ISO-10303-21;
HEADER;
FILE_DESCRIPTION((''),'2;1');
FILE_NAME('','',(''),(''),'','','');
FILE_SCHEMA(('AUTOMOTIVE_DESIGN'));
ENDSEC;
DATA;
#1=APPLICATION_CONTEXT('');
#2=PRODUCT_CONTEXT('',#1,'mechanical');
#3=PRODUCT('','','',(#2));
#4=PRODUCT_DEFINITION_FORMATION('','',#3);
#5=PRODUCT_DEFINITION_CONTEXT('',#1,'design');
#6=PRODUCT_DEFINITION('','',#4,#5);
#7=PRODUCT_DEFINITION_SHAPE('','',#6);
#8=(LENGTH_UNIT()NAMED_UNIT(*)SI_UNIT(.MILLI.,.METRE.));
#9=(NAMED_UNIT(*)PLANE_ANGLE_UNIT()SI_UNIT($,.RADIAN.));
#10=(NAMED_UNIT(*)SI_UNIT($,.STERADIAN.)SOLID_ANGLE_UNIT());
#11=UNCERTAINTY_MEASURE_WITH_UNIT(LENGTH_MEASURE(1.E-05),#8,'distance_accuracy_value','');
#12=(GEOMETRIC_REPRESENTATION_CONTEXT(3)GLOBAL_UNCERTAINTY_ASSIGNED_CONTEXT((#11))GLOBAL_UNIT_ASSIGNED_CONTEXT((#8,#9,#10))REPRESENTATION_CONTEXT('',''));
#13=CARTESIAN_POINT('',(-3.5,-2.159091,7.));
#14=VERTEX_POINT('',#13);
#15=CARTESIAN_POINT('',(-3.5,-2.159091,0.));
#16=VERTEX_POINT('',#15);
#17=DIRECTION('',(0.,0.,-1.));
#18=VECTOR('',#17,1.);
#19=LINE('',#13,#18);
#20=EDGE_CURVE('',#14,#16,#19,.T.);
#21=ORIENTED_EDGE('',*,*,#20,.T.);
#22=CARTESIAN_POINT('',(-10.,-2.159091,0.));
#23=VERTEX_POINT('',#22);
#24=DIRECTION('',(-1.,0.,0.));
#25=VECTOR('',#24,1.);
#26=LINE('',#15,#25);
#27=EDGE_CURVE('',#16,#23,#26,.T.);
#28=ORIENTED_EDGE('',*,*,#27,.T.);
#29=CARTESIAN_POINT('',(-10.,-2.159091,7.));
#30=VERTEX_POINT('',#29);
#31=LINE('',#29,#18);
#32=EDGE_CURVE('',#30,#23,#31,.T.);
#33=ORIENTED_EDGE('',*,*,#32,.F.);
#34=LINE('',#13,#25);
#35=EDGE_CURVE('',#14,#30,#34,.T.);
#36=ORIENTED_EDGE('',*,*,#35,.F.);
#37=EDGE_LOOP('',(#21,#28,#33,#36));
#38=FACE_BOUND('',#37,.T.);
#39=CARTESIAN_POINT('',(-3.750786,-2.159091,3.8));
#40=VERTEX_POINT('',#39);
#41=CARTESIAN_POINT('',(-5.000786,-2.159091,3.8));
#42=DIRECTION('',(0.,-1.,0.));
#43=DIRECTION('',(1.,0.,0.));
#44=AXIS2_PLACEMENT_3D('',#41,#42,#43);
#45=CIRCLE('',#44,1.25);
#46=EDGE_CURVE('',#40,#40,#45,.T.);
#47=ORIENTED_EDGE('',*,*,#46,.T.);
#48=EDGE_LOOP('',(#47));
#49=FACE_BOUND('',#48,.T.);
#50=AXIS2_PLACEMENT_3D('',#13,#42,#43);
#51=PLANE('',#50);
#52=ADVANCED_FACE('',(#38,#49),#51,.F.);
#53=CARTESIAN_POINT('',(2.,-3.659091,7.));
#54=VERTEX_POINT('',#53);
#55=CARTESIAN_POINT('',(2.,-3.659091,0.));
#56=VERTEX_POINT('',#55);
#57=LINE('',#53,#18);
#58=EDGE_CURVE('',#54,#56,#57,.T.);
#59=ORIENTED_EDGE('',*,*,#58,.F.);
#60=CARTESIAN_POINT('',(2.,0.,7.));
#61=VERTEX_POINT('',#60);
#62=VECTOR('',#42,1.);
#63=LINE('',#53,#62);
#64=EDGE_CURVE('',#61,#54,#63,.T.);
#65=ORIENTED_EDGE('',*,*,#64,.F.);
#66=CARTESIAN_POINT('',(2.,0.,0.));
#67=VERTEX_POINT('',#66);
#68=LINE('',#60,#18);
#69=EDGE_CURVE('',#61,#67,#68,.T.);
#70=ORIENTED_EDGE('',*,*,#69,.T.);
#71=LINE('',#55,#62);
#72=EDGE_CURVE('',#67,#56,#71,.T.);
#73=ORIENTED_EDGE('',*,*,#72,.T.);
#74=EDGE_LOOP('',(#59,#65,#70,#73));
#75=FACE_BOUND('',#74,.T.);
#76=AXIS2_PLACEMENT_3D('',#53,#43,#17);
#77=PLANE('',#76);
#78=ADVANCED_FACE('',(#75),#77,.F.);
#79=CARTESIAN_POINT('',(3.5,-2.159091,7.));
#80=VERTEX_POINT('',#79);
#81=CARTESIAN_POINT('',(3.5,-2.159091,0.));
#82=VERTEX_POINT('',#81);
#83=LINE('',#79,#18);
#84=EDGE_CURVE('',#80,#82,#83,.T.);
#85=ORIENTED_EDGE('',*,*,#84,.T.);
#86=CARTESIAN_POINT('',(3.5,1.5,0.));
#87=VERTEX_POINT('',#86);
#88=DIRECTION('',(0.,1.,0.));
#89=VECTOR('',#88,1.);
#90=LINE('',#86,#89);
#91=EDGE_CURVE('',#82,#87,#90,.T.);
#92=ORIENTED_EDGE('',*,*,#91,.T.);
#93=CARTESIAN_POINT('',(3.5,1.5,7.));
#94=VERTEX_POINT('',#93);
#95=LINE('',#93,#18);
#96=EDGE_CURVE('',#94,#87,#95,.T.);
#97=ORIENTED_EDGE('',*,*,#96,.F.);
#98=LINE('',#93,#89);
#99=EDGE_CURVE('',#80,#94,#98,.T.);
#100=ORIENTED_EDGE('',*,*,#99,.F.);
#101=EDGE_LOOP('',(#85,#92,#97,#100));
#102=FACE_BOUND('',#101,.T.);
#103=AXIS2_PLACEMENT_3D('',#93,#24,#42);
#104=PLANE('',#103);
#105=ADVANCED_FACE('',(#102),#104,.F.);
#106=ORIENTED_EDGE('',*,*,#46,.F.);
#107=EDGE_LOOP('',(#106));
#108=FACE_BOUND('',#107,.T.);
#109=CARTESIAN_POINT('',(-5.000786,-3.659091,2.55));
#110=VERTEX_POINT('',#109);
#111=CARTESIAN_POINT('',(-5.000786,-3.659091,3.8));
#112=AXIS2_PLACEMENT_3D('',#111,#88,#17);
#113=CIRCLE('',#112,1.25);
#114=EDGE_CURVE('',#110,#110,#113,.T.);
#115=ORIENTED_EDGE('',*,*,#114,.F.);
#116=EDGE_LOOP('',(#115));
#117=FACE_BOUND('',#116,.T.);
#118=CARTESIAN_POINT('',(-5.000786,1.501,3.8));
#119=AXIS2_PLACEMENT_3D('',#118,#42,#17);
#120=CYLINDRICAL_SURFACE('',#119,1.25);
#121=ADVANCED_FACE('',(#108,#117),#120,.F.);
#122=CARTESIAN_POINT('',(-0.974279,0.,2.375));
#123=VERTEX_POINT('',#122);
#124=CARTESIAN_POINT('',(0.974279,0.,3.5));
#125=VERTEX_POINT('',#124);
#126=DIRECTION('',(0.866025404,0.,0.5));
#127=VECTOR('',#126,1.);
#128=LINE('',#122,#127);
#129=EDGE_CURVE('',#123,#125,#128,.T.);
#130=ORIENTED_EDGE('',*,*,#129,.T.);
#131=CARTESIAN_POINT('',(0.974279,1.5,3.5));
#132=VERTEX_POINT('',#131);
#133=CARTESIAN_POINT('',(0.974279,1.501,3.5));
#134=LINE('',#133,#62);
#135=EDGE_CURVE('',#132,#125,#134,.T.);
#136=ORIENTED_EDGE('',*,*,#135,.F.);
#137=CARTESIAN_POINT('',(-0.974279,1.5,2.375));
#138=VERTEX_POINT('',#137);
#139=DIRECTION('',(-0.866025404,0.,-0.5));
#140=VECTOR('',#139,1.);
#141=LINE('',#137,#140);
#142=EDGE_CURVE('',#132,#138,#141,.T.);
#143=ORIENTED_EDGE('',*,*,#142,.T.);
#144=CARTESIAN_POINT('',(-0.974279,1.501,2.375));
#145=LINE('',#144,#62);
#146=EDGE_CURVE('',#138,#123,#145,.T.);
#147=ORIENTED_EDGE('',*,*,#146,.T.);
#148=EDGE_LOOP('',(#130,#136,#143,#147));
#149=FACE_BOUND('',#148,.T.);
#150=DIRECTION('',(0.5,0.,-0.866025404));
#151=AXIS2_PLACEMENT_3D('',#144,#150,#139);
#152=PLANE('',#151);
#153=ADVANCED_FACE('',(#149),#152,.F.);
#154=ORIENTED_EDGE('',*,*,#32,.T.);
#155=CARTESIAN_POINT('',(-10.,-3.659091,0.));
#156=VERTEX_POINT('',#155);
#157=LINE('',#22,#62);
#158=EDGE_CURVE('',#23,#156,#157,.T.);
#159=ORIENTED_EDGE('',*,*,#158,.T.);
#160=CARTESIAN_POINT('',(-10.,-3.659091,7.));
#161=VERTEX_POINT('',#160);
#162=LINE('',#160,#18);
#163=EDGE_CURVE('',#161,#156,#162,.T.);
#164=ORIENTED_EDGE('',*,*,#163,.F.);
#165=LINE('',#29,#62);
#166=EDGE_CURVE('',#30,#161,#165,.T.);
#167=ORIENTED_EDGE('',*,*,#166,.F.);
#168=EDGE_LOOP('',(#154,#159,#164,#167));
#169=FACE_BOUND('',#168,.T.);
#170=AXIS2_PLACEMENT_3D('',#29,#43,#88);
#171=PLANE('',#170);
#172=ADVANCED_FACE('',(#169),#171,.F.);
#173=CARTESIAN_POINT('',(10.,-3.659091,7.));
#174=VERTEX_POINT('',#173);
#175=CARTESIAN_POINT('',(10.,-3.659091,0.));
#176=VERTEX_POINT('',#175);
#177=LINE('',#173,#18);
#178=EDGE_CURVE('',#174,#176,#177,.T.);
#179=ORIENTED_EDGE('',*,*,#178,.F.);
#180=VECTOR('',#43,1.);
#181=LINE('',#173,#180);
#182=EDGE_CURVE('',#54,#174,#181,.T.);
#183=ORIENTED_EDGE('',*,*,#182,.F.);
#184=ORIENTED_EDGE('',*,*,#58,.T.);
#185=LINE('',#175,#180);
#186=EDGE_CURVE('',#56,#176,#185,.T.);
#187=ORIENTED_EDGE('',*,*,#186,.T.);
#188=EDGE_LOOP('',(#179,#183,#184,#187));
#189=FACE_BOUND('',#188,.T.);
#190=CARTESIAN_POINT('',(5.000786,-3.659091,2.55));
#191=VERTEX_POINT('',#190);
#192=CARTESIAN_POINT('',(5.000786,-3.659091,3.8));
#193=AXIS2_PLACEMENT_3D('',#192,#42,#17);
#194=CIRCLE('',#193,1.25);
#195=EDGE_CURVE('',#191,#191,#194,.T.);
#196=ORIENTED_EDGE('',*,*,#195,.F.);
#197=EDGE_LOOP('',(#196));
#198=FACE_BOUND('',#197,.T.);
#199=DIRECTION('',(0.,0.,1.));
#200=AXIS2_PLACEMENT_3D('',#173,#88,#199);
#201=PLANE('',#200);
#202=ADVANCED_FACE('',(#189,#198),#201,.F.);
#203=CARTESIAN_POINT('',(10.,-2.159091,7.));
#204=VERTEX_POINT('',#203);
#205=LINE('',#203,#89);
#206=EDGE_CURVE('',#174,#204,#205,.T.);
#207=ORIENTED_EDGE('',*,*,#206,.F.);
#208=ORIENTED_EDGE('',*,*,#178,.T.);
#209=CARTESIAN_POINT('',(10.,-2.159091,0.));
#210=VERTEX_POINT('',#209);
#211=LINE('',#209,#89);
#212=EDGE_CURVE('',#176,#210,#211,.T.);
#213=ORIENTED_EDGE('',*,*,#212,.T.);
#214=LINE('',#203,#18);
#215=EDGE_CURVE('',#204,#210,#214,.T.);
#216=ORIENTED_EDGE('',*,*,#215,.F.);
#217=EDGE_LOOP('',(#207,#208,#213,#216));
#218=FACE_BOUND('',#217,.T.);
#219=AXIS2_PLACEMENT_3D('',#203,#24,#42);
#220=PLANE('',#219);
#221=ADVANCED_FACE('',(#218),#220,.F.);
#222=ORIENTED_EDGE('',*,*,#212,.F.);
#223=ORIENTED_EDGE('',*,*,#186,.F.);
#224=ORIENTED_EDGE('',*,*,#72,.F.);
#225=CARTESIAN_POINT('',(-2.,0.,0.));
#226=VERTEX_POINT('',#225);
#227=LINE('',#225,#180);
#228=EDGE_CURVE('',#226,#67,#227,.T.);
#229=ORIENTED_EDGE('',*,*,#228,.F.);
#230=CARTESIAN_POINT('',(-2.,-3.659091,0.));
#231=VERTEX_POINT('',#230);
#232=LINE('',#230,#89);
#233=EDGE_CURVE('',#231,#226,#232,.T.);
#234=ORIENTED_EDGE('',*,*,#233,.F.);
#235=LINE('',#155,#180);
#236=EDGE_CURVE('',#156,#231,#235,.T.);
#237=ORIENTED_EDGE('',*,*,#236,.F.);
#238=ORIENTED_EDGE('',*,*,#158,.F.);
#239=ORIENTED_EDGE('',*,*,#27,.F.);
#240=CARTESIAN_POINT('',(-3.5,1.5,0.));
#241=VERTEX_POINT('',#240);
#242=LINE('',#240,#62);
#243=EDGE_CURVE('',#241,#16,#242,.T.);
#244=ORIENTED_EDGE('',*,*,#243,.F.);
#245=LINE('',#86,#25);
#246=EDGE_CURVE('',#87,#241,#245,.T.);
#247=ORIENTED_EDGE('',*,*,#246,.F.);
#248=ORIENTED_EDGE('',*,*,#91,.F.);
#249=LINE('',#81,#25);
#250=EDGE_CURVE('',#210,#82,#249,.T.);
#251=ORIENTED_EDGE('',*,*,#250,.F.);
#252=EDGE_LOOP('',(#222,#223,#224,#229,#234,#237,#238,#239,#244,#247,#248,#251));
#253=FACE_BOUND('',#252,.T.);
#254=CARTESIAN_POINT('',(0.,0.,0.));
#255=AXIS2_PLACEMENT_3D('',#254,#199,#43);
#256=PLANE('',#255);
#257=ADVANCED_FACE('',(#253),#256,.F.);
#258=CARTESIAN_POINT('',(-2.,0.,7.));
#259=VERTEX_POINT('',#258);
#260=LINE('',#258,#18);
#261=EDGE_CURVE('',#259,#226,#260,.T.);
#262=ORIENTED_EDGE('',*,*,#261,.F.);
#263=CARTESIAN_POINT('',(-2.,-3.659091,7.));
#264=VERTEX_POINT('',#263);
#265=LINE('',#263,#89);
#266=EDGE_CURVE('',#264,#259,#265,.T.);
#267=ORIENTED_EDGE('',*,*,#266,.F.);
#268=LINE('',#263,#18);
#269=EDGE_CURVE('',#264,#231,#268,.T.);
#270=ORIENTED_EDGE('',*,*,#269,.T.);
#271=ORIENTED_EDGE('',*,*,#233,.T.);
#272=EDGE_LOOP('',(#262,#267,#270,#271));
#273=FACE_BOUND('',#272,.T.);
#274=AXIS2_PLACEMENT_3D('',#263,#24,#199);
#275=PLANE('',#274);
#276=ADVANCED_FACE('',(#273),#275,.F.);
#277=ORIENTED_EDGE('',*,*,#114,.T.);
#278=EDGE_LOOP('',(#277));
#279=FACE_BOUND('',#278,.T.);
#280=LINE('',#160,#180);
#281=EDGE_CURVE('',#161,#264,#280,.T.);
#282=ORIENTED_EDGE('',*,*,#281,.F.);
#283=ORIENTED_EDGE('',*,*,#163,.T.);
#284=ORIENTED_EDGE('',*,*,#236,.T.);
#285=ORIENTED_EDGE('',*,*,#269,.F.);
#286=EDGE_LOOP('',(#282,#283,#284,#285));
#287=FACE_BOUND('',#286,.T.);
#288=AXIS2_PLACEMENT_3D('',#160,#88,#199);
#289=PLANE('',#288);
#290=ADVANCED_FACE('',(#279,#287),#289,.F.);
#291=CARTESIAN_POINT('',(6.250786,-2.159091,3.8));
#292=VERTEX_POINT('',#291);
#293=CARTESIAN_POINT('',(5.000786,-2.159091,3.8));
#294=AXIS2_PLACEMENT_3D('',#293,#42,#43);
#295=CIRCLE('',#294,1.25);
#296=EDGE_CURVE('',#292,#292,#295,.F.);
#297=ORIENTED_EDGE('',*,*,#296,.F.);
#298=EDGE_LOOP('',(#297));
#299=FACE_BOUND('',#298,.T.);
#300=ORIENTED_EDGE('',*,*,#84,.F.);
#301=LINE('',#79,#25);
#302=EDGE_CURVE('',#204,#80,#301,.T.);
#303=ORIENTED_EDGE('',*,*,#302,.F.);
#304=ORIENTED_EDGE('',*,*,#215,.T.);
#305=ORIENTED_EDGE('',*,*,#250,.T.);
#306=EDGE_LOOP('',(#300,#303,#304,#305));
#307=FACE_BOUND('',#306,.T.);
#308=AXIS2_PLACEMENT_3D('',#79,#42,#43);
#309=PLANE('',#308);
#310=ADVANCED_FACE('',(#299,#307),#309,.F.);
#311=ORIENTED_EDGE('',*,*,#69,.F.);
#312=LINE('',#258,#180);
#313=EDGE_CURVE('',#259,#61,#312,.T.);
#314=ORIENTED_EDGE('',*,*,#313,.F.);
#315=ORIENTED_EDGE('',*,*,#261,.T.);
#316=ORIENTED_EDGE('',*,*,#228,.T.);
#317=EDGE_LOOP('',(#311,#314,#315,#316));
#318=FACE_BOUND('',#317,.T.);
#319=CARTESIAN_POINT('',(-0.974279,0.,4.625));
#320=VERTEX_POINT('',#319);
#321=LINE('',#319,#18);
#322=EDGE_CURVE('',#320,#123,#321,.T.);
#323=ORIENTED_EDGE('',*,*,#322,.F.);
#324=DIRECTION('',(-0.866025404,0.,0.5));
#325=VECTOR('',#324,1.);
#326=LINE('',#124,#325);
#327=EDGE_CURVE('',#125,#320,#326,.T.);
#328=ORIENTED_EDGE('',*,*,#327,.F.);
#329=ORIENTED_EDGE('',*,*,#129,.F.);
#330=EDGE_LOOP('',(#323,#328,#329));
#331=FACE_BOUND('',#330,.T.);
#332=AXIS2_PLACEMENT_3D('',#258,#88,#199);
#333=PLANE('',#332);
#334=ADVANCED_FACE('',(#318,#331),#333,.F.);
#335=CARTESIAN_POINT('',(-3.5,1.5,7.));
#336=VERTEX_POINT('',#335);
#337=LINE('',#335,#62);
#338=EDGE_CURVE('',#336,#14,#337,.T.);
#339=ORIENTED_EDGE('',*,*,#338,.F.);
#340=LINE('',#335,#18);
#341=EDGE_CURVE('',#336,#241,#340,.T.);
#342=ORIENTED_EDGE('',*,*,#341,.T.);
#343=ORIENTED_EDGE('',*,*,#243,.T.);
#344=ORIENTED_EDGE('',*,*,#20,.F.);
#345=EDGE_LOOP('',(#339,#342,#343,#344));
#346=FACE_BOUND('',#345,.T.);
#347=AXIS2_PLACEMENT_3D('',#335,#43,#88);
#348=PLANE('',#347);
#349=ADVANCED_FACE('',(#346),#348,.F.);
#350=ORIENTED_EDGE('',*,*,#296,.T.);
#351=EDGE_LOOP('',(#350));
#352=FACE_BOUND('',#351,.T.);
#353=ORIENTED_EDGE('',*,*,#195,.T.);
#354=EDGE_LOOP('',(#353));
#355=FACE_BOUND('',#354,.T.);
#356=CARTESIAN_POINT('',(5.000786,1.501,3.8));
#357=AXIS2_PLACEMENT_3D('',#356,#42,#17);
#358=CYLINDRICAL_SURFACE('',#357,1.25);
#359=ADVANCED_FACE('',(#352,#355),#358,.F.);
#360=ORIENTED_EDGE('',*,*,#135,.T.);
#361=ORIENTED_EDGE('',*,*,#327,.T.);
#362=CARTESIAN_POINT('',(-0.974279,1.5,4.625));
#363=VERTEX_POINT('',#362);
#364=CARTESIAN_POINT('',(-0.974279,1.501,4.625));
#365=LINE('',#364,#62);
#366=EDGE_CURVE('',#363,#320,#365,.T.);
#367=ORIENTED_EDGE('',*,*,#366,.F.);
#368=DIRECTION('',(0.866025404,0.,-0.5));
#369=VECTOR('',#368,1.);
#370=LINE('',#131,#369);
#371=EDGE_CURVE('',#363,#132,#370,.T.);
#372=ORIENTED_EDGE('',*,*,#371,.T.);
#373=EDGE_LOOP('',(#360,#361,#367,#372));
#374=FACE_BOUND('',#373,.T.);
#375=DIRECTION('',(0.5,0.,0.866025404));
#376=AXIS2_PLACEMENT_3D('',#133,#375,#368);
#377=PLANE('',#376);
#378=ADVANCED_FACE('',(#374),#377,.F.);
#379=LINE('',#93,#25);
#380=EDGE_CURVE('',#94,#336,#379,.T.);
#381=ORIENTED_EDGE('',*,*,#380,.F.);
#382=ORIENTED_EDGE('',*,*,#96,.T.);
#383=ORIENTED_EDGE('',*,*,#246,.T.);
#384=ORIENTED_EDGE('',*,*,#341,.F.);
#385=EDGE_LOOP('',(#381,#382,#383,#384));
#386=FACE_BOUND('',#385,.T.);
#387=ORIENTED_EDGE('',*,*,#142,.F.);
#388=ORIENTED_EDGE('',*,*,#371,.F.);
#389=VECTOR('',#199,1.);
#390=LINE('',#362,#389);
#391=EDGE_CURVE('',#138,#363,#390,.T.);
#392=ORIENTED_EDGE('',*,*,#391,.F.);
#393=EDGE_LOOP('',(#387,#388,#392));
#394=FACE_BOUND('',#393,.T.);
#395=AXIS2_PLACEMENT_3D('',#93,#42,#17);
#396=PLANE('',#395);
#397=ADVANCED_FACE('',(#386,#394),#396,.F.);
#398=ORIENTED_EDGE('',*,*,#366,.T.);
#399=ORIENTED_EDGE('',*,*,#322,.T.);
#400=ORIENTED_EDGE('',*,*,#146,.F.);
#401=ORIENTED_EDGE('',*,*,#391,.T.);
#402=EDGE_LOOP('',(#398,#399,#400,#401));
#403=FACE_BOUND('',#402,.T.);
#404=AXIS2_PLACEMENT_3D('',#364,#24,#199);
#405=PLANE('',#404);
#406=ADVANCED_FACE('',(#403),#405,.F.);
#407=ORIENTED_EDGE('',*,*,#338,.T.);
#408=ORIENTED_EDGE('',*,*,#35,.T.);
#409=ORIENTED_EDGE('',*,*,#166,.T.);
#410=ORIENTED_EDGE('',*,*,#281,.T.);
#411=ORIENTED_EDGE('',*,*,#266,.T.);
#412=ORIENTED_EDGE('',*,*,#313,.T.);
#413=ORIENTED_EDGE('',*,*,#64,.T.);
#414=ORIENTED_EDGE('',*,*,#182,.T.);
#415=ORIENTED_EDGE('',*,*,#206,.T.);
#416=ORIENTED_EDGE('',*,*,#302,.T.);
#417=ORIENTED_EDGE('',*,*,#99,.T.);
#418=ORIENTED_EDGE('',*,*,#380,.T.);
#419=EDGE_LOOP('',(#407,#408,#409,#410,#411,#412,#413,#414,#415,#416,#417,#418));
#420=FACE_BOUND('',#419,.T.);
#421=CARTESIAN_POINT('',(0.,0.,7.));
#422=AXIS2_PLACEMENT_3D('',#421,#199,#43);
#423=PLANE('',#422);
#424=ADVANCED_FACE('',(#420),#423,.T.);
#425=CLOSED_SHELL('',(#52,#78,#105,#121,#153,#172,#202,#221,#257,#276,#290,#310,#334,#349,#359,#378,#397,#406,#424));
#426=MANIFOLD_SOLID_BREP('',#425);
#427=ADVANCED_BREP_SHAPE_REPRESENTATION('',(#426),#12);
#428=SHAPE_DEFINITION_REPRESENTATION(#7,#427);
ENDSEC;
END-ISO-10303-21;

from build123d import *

# Parameters (mm, degrees)
BOSS_EXTRUDE1_DEPTH = 7
CUT_EXTRUDE1_REACH  = 15.252
SKETCH2_R           = 1.25
CUT_EXTRUDE2_REACH  = 14.743


with BuildPart() as part:
    # Sketch1 → Boss-Extrude1 (new body)
    with BuildSketch(Plane.XY):
        Polygon((-10, -3.659090909), (-2, -3.659090909), (-2, 0), (2, 0), (2, -3.659090909), (10, -3.659090909), (10, -2.159090909), (3.5, -2.159090909), (3.5, 1.5), (-3.5, 1.5), (-3.5, -2.159090909), (-10, -2.159090909), align=None)
    extrude(amount=BOSS_EXTRUDE1_DEPTH)

    # Sketch2 → Cut-Extrude1 (cut, up to next)
    with BuildSketch(Plane.XZ.offset(3.659090909), mode=Mode.PRIVATE) as cut_extrude1_sk1:
        with Locations(Location((5.000786438, 3.8, 0), (0, 0, 270))):
            Circle(SKETCH2_R)
    cut_extrude1_tool1 = extrude(cut_extrude1_sk1.sketch, amount=-CUT_EXTRUDE1_REACH, mode=Mode.PRIVATE) & part.part
    cut_extrude1 = cut_extrude1_tool1.solids().sort_by_distance((5.000786, -3.659091, 3.8))[0]
    add(cut_extrude1, mode=Mode.SUBTRACT)

    # Mirror1: Cut-Extrude1 across plane
    add(cut_extrude1.mirror(Plane.ZY), mode=Mode.SUBTRACT)

    # Sketch3 → Cut-Extrude2 (cut, up to next)
    with BuildSketch(Plane.XZ, mode=Mode.PRIVATE) as cut_extrude2_sk1:
        Polygon((0.974278579, 3.5), (-0.974278579, 4.625), (-0.974278579, 2.375), align=None)
    cut_extrude2_tool1 = extrude(cut_extrude2_sk1.sketch, amount=-CUT_EXTRUDE2_REACH, mode=Mode.PRIVATE) & part.part
    add(cut_extrude2_tool1.solids().sort_by_distance((-0.32476, 0, 3.5))[0], mode=Mode.SUBTRACT)


solid = part.part
